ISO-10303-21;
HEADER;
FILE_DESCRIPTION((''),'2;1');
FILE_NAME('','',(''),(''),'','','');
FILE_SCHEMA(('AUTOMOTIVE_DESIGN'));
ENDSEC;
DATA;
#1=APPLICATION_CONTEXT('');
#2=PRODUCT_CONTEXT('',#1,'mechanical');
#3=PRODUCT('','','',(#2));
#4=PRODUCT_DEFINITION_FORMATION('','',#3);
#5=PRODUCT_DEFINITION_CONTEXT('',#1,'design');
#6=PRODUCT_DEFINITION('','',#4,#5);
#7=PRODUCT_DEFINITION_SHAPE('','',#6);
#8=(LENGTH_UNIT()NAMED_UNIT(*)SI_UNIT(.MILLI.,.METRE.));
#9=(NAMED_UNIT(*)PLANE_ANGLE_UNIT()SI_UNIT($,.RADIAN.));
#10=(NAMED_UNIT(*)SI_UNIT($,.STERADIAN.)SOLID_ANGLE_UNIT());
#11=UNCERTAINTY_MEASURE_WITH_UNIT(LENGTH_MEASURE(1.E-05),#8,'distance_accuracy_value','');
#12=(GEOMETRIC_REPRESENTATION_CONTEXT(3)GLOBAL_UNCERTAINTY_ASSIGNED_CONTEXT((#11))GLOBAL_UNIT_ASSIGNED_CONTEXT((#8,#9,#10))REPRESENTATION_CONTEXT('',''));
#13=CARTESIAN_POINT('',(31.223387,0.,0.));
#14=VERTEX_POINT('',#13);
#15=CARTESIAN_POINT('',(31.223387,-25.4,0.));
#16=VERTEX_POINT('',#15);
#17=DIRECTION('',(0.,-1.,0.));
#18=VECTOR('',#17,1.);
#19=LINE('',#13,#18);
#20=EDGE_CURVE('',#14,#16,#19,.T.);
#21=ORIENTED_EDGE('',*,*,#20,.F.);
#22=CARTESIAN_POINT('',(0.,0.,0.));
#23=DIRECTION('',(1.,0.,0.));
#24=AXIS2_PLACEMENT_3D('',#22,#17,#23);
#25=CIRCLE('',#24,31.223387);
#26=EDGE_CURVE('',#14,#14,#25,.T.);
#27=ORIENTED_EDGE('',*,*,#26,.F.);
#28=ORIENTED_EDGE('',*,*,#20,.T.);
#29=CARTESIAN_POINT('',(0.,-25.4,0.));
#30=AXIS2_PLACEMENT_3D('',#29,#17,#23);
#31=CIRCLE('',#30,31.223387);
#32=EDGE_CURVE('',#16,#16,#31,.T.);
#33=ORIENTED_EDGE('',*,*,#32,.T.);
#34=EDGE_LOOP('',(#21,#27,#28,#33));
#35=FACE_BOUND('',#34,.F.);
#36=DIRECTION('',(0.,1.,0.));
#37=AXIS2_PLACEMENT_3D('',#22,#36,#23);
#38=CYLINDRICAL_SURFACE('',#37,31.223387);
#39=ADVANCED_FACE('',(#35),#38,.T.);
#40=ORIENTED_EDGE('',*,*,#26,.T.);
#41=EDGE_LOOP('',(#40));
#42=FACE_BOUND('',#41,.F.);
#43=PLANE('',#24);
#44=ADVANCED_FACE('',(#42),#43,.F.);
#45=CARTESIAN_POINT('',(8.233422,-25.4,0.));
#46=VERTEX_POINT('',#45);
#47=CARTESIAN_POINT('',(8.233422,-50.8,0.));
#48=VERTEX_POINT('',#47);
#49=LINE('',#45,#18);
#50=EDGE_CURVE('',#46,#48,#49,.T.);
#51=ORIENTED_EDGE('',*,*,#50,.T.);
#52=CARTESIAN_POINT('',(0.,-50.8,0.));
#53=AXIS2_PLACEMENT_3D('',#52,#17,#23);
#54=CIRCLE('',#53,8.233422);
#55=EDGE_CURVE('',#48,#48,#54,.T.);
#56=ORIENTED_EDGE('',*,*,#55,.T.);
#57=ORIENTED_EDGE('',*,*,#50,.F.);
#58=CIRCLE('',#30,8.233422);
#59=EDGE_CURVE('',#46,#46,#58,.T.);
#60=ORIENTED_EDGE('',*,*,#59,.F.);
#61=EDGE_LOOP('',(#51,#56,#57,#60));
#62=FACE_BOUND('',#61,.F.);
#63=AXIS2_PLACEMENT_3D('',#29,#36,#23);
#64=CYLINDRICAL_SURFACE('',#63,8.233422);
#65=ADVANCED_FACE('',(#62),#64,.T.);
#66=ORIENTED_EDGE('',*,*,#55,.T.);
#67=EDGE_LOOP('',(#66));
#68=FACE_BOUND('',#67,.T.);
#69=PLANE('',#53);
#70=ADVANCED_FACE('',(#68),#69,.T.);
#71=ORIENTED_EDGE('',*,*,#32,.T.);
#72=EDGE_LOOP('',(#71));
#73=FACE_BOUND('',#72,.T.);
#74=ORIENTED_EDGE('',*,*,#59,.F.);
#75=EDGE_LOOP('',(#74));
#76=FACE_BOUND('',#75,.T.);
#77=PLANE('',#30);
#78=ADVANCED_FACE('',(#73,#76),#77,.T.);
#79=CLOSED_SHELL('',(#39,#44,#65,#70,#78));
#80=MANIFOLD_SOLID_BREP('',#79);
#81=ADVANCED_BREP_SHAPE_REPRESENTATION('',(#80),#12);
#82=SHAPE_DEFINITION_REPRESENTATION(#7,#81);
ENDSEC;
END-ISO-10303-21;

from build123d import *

# Parameters (mm, degrees)
F0_R      = 31.223387
F1_DEPTH  = 25.4
F2_R      = 8.233422
F3_DEPTH  = 25.4
F3_FACE_R = 8.233422
F4_DEPTH  = 25.4


with BuildPart() as f1:
    # F0 (on Front) → F1 (new body)
    with BuildSketch(Plane.XZ):
        Circle(F0_R)
    extrude(amount=F1_DEPTH)

    # F2 (on face) → F3 (join)
    with BuildSketch(Plane.XZ.offset(25.4)):
        Circle(F2_R)
    extrude(amount=F3_DEPTH)

    # F3_face (on face) → F4 (join)
    with BuildSketch(Plane.XZ.offset(50.8)):
        Circle(F3_FACE_R)
    extrude(amount=-F4_DEPTH)


solid = f1.part
